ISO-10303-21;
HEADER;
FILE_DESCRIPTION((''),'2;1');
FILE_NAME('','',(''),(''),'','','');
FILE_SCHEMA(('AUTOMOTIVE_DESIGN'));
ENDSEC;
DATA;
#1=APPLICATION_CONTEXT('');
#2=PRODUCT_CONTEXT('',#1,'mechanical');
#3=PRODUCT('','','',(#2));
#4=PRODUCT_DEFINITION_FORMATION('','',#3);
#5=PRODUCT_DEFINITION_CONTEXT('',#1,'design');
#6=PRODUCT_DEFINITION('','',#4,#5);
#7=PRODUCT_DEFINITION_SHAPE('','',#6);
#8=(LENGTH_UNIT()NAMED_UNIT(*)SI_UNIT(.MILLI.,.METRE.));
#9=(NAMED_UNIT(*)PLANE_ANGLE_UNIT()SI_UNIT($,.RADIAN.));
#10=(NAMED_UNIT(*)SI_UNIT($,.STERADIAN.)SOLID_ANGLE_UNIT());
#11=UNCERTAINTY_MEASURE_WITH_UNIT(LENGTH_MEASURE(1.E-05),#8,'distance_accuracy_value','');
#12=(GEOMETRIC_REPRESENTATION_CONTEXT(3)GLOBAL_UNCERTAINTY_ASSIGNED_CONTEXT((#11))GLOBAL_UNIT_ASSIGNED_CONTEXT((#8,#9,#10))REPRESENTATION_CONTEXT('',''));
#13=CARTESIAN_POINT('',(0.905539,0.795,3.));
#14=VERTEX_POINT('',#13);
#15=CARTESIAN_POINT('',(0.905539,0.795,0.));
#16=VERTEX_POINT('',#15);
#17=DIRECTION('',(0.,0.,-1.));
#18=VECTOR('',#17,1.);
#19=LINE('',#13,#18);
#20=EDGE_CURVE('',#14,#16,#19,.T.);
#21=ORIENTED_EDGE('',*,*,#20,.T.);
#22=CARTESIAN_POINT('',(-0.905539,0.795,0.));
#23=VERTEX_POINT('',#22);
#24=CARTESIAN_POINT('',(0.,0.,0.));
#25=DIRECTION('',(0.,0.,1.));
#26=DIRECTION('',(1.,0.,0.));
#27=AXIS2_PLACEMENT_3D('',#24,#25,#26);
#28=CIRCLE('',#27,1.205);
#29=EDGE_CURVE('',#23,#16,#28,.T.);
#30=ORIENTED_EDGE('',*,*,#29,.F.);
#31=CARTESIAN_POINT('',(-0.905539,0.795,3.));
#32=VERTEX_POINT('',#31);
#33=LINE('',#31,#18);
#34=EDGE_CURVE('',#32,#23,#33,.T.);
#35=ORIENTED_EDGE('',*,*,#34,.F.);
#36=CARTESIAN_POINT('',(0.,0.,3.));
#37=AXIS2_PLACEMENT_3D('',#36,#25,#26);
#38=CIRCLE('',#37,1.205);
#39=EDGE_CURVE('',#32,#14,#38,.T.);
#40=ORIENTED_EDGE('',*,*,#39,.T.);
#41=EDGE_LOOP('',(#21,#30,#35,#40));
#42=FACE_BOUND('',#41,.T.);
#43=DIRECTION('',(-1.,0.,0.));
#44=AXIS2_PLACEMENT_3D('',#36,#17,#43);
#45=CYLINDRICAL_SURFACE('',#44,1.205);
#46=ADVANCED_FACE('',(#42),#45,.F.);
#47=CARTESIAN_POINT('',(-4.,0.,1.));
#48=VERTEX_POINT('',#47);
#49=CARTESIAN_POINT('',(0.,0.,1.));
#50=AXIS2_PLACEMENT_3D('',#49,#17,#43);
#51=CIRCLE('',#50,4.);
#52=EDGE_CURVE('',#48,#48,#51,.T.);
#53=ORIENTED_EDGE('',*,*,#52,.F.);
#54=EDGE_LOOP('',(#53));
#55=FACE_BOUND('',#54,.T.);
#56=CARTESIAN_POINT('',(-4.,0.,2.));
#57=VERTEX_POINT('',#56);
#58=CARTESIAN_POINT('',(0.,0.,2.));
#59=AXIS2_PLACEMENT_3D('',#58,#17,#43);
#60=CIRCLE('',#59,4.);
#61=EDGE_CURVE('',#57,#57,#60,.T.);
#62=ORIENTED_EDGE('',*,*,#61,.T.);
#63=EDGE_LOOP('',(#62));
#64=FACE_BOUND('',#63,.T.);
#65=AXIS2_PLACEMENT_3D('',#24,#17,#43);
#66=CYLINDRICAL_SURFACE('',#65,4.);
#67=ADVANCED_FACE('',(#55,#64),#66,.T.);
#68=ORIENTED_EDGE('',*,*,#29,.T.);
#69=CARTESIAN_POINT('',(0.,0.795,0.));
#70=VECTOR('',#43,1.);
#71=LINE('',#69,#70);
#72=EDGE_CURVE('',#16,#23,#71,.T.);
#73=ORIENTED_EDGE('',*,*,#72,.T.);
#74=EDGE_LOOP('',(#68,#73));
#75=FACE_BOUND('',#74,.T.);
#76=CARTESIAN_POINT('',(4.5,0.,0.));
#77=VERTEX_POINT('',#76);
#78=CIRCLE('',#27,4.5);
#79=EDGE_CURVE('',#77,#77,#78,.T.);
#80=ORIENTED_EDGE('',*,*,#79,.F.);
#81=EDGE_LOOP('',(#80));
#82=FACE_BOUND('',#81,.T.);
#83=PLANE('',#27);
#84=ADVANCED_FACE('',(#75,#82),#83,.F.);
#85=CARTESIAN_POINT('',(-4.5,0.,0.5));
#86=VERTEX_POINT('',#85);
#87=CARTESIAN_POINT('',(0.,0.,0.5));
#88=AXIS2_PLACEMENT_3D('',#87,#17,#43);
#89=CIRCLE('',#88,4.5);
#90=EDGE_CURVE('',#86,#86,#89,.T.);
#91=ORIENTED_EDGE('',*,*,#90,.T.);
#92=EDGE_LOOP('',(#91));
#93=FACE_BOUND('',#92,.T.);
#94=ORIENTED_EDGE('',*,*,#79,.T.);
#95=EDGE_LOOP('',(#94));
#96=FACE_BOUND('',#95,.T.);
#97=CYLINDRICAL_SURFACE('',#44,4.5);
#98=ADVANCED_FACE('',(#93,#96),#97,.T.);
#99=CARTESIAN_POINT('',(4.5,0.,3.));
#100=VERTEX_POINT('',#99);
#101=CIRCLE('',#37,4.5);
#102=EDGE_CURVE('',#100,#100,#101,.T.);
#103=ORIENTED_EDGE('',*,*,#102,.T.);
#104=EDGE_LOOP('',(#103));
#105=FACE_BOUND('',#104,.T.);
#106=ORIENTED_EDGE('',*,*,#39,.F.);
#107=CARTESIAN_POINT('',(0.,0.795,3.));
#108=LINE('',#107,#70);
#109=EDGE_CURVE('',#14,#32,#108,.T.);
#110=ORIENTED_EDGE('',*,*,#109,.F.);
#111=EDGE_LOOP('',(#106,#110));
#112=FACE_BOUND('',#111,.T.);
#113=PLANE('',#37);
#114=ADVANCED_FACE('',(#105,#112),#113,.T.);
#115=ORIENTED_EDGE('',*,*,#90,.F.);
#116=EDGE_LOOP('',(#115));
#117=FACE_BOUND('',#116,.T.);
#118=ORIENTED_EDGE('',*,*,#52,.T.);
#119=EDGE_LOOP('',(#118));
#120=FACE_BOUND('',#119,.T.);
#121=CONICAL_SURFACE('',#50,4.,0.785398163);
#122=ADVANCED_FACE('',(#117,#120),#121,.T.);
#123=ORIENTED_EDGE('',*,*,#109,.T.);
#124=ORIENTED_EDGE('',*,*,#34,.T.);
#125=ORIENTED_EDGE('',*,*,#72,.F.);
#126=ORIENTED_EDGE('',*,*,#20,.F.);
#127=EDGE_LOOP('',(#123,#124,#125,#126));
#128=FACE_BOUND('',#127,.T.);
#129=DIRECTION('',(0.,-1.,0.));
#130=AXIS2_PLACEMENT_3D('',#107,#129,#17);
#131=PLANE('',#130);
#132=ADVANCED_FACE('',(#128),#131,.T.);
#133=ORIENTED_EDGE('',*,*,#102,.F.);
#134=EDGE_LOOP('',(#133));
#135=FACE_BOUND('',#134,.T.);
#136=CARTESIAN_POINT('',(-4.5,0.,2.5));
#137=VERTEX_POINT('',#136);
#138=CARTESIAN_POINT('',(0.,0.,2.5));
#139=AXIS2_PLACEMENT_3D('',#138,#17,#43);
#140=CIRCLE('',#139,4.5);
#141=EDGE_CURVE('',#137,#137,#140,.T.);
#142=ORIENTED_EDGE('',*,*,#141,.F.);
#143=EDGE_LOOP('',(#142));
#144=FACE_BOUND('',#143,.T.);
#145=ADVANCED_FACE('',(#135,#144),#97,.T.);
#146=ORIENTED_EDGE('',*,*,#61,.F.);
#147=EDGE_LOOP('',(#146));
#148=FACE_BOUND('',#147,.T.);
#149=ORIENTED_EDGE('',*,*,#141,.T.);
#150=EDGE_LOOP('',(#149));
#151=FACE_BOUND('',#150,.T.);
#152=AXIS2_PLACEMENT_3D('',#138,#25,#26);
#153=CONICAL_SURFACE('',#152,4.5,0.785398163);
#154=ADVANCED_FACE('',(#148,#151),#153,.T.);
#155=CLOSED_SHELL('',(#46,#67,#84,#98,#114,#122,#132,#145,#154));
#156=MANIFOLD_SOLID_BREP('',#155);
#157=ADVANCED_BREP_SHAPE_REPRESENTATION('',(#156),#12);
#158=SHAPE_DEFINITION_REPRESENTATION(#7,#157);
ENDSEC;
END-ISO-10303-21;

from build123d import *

# Parameters (mm, degrees)
SKETCH1_R                 = 4.5
MAIN_BASE_DEPTH           = 3
MOTOR_SHAFT_CUT_OUT_DEPTH = 8.03562364


with BuildPart() as part:
    # Sketch1 → main_base (new body)
    with BuildSketch(Plane.XY):
        Circle(SKETCH1_R)
    extrude(amount=MAIN_BASE_DEPTH)

    # Sketch2 → pulley_cut_out (revolve, cut)
    with BuildSketch(Plane(origin=(0, 0, 0), x_dir=(0, 0, -1), z_dir=(1, 0, 0)), mode=Mode.PRIVATE) as pulley_cut_out_sk:
        Polygon((-2.5, 4.5), (-0.5, 4.5), (-1, 4), (-2, 4), align=None)
    revolve(pulley_cut_out_sk.sketch.rotate(Axis((0, 0, 0), (0, 0, 1)), 90), axis=Axis((0, 0, 0), (0, 0, 1)), mode=Mode.SUBTRACT)

    # Sketch3 → motor_shaft_cut_out (cut, through all)
    with BuildSketch(Plane.XY):
        with BuildLine():
            ThreePointArc((1.205, 0), (1.127652187, 0.424765283), (0.905538514, 0.795))
            Line((0.905538514, 0.795), (-0.905538514, 0.795))
            ThreePointArc((-0.905538514, 0.795), (-0.424765283, -1.127652187), (1.205, 0))
        make_face()
    extrude(amount=MOTOR_SHAFT_CUT_OUT_DEPTH, mode=Mode.SUBTRACT)


solid = part.part
